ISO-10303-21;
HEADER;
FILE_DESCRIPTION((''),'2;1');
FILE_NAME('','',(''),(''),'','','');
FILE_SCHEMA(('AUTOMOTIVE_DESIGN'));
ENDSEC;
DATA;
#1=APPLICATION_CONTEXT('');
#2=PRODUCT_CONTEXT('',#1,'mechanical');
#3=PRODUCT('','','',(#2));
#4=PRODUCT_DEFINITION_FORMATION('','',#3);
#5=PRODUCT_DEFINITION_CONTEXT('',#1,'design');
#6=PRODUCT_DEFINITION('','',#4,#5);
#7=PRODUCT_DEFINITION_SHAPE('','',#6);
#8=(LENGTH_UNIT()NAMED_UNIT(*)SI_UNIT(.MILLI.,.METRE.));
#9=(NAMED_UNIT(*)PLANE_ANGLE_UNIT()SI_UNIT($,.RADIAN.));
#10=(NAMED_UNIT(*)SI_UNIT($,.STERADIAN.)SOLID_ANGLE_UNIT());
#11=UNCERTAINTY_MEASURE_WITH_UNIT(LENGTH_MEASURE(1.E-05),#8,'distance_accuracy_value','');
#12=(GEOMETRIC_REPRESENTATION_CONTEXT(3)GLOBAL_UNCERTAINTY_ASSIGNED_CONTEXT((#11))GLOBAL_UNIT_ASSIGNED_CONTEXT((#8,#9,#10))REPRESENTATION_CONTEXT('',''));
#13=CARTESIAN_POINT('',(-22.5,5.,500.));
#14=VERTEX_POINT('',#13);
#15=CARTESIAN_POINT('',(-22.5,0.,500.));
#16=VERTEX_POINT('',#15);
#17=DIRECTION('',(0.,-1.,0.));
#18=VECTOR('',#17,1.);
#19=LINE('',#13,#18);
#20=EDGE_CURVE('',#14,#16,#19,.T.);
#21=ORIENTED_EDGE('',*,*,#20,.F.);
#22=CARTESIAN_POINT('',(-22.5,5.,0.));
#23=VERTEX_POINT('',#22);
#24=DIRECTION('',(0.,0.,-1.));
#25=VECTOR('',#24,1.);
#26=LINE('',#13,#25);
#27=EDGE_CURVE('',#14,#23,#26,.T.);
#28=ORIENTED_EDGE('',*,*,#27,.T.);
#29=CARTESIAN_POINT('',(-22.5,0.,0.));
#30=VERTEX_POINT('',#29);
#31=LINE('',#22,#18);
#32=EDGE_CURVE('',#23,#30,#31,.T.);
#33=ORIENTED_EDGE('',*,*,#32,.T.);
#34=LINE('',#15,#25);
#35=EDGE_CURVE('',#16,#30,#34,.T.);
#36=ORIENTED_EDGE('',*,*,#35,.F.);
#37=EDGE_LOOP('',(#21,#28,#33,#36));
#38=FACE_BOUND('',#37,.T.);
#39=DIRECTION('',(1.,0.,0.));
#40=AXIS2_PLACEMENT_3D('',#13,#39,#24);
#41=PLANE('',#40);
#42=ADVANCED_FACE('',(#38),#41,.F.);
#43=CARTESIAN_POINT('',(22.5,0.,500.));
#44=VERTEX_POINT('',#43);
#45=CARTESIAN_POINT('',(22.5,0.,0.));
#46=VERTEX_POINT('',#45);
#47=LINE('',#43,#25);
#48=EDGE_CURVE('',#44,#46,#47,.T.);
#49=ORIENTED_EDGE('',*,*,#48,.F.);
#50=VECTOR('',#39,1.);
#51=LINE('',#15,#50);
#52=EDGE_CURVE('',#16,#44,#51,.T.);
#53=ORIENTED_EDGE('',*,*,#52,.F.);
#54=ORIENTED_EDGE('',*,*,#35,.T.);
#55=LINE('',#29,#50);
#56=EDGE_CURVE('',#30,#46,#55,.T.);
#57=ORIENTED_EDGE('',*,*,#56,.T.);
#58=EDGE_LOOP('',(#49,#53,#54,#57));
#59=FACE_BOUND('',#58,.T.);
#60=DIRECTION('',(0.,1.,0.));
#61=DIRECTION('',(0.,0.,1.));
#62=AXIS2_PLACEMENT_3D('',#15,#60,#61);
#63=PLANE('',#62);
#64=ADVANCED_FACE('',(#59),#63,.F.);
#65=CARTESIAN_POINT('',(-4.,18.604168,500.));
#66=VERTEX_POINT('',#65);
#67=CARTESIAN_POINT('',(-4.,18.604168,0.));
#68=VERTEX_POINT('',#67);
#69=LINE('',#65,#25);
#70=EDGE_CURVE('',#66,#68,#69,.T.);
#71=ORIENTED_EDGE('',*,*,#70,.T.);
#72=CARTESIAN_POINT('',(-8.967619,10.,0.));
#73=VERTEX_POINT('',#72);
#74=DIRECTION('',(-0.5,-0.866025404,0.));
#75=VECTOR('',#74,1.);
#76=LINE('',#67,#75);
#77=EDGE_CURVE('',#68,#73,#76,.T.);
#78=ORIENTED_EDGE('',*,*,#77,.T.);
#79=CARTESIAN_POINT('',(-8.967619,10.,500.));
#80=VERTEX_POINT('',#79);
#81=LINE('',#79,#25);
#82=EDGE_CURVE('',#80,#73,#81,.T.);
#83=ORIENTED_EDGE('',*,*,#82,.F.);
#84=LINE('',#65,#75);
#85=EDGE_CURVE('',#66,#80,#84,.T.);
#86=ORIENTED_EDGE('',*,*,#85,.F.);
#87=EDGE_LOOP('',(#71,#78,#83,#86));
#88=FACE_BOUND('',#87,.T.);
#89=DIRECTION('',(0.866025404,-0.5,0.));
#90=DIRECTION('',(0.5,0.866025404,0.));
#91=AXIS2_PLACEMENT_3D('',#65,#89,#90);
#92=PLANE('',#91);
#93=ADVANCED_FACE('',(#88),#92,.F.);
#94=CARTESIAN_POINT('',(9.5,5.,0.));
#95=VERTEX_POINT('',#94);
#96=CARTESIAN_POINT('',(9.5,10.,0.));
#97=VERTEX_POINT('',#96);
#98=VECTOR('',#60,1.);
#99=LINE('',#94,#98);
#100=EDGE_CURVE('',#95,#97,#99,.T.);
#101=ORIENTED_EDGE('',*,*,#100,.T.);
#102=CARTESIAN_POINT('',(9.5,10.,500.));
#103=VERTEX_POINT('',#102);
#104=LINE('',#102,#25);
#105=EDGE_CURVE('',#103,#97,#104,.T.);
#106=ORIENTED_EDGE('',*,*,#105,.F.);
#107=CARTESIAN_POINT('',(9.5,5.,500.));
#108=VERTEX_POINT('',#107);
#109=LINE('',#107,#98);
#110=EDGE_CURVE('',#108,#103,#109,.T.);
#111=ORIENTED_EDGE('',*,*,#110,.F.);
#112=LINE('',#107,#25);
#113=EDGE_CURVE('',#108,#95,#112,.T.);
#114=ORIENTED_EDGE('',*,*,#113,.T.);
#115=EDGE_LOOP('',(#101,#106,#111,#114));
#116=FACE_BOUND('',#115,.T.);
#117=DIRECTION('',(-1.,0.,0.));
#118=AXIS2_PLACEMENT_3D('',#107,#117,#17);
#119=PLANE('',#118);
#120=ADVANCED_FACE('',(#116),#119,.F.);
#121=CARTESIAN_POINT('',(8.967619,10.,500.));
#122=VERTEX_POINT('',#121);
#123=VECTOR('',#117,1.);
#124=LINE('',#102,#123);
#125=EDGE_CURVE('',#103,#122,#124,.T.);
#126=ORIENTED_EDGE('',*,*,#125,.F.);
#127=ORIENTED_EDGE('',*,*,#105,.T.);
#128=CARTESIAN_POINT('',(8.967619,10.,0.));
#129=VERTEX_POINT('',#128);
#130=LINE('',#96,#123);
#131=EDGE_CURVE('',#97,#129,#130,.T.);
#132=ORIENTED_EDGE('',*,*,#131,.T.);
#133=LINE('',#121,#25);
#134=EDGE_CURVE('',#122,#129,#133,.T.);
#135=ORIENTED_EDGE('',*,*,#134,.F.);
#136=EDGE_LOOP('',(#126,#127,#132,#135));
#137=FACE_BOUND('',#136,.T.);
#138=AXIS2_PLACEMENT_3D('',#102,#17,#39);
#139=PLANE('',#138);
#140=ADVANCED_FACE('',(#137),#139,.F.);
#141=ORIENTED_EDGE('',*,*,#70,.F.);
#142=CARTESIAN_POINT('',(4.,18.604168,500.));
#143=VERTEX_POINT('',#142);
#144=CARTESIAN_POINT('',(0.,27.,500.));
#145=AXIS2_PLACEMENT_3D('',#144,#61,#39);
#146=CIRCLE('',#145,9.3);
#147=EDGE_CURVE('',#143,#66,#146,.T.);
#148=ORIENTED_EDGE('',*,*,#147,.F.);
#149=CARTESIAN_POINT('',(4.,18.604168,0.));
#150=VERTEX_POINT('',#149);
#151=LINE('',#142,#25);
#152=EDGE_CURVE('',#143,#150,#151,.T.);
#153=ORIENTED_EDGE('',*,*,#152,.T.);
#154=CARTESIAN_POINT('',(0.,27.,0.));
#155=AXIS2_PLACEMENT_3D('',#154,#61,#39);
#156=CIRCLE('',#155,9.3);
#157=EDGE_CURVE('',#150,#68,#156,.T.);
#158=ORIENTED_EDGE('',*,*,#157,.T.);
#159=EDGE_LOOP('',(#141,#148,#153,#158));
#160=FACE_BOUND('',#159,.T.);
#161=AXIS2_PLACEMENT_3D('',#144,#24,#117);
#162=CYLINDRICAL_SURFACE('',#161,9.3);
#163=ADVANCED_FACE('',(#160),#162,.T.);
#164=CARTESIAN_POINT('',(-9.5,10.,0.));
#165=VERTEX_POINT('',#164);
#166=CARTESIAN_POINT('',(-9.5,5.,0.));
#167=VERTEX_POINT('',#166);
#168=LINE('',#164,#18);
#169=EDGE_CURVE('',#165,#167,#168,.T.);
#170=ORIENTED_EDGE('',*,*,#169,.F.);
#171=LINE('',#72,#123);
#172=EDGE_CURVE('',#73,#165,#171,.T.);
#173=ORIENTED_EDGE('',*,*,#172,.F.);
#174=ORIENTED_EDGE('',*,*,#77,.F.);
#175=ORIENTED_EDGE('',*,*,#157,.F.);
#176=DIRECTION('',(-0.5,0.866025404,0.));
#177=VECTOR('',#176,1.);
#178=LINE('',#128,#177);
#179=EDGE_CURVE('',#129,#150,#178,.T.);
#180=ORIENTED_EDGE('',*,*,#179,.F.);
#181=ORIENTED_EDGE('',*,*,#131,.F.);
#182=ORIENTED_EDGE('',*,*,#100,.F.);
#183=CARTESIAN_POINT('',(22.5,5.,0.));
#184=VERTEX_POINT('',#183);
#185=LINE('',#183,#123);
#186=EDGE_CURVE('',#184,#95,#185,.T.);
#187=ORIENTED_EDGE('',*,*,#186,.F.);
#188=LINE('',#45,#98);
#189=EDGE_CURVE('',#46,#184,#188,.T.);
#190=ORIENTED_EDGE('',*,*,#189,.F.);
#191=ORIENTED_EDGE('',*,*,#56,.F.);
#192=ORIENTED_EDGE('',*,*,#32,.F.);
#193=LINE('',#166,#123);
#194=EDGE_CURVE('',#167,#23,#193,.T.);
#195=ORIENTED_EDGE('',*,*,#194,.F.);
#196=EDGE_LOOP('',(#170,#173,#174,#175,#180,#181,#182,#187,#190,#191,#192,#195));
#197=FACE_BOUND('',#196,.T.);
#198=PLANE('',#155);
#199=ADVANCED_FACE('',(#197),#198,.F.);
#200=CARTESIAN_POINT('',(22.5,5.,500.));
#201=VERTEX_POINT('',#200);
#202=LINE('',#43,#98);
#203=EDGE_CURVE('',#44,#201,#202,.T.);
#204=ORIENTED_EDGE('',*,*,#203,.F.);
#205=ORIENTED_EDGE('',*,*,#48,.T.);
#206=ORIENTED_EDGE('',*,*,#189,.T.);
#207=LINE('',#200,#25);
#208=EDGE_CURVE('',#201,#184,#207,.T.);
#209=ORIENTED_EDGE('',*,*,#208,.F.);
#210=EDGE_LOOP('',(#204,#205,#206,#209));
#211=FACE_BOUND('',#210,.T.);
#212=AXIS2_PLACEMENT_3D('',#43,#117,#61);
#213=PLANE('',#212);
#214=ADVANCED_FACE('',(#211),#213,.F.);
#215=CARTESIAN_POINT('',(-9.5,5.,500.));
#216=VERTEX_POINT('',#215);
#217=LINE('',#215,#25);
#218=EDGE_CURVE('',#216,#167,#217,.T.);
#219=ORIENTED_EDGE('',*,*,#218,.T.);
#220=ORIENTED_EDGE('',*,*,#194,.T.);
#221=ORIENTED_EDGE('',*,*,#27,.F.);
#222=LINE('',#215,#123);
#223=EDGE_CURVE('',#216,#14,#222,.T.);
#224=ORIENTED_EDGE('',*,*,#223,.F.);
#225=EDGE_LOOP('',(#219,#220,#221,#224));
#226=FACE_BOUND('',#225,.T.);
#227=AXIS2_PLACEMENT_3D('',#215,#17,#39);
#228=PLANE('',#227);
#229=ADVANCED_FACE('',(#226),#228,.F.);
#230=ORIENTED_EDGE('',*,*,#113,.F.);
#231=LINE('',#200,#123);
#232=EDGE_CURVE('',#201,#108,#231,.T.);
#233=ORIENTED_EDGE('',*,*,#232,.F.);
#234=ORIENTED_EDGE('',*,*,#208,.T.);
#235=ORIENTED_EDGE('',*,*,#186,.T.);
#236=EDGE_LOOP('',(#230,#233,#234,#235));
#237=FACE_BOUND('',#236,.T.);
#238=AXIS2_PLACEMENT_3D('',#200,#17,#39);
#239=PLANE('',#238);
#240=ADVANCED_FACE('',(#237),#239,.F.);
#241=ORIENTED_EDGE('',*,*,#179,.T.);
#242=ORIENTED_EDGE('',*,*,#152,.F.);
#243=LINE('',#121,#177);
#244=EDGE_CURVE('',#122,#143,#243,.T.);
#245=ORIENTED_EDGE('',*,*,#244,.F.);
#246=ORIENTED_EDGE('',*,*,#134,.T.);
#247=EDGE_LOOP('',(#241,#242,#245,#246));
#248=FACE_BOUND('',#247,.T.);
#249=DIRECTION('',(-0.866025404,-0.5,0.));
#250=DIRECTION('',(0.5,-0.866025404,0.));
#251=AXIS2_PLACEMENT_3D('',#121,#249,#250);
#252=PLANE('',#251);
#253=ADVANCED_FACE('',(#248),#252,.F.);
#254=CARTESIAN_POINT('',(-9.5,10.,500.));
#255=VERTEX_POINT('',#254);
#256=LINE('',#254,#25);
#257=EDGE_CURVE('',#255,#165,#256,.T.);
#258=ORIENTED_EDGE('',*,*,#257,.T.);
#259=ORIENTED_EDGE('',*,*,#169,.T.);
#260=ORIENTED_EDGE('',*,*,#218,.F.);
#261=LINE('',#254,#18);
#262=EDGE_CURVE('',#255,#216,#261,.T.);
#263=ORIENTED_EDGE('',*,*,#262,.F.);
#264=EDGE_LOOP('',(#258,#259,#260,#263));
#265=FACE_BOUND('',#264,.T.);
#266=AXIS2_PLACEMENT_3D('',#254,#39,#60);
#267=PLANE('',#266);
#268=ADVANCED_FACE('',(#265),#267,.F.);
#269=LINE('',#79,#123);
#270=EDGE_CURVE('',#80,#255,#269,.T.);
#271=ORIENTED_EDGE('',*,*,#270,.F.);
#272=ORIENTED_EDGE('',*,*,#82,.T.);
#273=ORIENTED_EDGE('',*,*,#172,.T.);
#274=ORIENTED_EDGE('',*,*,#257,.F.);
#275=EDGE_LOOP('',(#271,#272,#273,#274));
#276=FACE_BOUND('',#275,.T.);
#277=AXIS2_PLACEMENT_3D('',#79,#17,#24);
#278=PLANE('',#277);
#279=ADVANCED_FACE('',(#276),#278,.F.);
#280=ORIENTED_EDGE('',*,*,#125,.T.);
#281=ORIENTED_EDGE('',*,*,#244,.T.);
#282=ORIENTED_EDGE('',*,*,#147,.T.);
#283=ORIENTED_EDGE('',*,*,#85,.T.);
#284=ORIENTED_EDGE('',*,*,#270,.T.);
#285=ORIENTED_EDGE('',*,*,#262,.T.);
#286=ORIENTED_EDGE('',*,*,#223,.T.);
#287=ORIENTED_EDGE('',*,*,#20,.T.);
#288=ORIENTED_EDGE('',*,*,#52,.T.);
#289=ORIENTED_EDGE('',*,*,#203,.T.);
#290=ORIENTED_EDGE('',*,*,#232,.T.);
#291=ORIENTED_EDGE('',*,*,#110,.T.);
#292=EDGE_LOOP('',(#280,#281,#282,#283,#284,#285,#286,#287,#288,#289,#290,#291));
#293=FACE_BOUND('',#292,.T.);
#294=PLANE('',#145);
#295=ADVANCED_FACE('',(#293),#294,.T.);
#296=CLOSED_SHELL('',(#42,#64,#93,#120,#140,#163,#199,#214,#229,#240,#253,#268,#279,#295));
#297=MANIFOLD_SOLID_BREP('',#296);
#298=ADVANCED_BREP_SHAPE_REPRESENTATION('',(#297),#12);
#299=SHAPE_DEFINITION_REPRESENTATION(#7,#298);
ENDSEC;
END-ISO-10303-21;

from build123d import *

# Parameters (mm, degrees)
EXTRUSION1_DEPTH = 500


with BuildPart() as part:
    # Sketch1 → Extrusion1 (new body)
    with BuildSketch(Plane.XY):
        with BuildLine():
            Line((-22.5, 0), (22.5, 0))
            Line((22.5, 0), (22.5, 5))
            Line((22.5, 5), (9.5, 5))
            Line((9.5, 5), (9.5, 10))
            Line((9.5, 10), (8.967618538, 10))
            Line((8.967618538, 10), (4, 18.604167701))
            ThreePointArc((4, 18.604167701), (0, 36.3), (-4, 18.604167701))
            Line((-4, 18.604167701), (-8.967618538, 10))
            Line((-8.967618538, 10), (-9.5, 10))
            Line((-9.5, 10), (-9.5, 5))
            Line((-9.5, 5), (-22.5, 5))
            Line((-22.5, 5), (-22.5, 0))
        make_face()
    extrude(amount=EXTRUSION1_DEPTH)


solid = part.part
